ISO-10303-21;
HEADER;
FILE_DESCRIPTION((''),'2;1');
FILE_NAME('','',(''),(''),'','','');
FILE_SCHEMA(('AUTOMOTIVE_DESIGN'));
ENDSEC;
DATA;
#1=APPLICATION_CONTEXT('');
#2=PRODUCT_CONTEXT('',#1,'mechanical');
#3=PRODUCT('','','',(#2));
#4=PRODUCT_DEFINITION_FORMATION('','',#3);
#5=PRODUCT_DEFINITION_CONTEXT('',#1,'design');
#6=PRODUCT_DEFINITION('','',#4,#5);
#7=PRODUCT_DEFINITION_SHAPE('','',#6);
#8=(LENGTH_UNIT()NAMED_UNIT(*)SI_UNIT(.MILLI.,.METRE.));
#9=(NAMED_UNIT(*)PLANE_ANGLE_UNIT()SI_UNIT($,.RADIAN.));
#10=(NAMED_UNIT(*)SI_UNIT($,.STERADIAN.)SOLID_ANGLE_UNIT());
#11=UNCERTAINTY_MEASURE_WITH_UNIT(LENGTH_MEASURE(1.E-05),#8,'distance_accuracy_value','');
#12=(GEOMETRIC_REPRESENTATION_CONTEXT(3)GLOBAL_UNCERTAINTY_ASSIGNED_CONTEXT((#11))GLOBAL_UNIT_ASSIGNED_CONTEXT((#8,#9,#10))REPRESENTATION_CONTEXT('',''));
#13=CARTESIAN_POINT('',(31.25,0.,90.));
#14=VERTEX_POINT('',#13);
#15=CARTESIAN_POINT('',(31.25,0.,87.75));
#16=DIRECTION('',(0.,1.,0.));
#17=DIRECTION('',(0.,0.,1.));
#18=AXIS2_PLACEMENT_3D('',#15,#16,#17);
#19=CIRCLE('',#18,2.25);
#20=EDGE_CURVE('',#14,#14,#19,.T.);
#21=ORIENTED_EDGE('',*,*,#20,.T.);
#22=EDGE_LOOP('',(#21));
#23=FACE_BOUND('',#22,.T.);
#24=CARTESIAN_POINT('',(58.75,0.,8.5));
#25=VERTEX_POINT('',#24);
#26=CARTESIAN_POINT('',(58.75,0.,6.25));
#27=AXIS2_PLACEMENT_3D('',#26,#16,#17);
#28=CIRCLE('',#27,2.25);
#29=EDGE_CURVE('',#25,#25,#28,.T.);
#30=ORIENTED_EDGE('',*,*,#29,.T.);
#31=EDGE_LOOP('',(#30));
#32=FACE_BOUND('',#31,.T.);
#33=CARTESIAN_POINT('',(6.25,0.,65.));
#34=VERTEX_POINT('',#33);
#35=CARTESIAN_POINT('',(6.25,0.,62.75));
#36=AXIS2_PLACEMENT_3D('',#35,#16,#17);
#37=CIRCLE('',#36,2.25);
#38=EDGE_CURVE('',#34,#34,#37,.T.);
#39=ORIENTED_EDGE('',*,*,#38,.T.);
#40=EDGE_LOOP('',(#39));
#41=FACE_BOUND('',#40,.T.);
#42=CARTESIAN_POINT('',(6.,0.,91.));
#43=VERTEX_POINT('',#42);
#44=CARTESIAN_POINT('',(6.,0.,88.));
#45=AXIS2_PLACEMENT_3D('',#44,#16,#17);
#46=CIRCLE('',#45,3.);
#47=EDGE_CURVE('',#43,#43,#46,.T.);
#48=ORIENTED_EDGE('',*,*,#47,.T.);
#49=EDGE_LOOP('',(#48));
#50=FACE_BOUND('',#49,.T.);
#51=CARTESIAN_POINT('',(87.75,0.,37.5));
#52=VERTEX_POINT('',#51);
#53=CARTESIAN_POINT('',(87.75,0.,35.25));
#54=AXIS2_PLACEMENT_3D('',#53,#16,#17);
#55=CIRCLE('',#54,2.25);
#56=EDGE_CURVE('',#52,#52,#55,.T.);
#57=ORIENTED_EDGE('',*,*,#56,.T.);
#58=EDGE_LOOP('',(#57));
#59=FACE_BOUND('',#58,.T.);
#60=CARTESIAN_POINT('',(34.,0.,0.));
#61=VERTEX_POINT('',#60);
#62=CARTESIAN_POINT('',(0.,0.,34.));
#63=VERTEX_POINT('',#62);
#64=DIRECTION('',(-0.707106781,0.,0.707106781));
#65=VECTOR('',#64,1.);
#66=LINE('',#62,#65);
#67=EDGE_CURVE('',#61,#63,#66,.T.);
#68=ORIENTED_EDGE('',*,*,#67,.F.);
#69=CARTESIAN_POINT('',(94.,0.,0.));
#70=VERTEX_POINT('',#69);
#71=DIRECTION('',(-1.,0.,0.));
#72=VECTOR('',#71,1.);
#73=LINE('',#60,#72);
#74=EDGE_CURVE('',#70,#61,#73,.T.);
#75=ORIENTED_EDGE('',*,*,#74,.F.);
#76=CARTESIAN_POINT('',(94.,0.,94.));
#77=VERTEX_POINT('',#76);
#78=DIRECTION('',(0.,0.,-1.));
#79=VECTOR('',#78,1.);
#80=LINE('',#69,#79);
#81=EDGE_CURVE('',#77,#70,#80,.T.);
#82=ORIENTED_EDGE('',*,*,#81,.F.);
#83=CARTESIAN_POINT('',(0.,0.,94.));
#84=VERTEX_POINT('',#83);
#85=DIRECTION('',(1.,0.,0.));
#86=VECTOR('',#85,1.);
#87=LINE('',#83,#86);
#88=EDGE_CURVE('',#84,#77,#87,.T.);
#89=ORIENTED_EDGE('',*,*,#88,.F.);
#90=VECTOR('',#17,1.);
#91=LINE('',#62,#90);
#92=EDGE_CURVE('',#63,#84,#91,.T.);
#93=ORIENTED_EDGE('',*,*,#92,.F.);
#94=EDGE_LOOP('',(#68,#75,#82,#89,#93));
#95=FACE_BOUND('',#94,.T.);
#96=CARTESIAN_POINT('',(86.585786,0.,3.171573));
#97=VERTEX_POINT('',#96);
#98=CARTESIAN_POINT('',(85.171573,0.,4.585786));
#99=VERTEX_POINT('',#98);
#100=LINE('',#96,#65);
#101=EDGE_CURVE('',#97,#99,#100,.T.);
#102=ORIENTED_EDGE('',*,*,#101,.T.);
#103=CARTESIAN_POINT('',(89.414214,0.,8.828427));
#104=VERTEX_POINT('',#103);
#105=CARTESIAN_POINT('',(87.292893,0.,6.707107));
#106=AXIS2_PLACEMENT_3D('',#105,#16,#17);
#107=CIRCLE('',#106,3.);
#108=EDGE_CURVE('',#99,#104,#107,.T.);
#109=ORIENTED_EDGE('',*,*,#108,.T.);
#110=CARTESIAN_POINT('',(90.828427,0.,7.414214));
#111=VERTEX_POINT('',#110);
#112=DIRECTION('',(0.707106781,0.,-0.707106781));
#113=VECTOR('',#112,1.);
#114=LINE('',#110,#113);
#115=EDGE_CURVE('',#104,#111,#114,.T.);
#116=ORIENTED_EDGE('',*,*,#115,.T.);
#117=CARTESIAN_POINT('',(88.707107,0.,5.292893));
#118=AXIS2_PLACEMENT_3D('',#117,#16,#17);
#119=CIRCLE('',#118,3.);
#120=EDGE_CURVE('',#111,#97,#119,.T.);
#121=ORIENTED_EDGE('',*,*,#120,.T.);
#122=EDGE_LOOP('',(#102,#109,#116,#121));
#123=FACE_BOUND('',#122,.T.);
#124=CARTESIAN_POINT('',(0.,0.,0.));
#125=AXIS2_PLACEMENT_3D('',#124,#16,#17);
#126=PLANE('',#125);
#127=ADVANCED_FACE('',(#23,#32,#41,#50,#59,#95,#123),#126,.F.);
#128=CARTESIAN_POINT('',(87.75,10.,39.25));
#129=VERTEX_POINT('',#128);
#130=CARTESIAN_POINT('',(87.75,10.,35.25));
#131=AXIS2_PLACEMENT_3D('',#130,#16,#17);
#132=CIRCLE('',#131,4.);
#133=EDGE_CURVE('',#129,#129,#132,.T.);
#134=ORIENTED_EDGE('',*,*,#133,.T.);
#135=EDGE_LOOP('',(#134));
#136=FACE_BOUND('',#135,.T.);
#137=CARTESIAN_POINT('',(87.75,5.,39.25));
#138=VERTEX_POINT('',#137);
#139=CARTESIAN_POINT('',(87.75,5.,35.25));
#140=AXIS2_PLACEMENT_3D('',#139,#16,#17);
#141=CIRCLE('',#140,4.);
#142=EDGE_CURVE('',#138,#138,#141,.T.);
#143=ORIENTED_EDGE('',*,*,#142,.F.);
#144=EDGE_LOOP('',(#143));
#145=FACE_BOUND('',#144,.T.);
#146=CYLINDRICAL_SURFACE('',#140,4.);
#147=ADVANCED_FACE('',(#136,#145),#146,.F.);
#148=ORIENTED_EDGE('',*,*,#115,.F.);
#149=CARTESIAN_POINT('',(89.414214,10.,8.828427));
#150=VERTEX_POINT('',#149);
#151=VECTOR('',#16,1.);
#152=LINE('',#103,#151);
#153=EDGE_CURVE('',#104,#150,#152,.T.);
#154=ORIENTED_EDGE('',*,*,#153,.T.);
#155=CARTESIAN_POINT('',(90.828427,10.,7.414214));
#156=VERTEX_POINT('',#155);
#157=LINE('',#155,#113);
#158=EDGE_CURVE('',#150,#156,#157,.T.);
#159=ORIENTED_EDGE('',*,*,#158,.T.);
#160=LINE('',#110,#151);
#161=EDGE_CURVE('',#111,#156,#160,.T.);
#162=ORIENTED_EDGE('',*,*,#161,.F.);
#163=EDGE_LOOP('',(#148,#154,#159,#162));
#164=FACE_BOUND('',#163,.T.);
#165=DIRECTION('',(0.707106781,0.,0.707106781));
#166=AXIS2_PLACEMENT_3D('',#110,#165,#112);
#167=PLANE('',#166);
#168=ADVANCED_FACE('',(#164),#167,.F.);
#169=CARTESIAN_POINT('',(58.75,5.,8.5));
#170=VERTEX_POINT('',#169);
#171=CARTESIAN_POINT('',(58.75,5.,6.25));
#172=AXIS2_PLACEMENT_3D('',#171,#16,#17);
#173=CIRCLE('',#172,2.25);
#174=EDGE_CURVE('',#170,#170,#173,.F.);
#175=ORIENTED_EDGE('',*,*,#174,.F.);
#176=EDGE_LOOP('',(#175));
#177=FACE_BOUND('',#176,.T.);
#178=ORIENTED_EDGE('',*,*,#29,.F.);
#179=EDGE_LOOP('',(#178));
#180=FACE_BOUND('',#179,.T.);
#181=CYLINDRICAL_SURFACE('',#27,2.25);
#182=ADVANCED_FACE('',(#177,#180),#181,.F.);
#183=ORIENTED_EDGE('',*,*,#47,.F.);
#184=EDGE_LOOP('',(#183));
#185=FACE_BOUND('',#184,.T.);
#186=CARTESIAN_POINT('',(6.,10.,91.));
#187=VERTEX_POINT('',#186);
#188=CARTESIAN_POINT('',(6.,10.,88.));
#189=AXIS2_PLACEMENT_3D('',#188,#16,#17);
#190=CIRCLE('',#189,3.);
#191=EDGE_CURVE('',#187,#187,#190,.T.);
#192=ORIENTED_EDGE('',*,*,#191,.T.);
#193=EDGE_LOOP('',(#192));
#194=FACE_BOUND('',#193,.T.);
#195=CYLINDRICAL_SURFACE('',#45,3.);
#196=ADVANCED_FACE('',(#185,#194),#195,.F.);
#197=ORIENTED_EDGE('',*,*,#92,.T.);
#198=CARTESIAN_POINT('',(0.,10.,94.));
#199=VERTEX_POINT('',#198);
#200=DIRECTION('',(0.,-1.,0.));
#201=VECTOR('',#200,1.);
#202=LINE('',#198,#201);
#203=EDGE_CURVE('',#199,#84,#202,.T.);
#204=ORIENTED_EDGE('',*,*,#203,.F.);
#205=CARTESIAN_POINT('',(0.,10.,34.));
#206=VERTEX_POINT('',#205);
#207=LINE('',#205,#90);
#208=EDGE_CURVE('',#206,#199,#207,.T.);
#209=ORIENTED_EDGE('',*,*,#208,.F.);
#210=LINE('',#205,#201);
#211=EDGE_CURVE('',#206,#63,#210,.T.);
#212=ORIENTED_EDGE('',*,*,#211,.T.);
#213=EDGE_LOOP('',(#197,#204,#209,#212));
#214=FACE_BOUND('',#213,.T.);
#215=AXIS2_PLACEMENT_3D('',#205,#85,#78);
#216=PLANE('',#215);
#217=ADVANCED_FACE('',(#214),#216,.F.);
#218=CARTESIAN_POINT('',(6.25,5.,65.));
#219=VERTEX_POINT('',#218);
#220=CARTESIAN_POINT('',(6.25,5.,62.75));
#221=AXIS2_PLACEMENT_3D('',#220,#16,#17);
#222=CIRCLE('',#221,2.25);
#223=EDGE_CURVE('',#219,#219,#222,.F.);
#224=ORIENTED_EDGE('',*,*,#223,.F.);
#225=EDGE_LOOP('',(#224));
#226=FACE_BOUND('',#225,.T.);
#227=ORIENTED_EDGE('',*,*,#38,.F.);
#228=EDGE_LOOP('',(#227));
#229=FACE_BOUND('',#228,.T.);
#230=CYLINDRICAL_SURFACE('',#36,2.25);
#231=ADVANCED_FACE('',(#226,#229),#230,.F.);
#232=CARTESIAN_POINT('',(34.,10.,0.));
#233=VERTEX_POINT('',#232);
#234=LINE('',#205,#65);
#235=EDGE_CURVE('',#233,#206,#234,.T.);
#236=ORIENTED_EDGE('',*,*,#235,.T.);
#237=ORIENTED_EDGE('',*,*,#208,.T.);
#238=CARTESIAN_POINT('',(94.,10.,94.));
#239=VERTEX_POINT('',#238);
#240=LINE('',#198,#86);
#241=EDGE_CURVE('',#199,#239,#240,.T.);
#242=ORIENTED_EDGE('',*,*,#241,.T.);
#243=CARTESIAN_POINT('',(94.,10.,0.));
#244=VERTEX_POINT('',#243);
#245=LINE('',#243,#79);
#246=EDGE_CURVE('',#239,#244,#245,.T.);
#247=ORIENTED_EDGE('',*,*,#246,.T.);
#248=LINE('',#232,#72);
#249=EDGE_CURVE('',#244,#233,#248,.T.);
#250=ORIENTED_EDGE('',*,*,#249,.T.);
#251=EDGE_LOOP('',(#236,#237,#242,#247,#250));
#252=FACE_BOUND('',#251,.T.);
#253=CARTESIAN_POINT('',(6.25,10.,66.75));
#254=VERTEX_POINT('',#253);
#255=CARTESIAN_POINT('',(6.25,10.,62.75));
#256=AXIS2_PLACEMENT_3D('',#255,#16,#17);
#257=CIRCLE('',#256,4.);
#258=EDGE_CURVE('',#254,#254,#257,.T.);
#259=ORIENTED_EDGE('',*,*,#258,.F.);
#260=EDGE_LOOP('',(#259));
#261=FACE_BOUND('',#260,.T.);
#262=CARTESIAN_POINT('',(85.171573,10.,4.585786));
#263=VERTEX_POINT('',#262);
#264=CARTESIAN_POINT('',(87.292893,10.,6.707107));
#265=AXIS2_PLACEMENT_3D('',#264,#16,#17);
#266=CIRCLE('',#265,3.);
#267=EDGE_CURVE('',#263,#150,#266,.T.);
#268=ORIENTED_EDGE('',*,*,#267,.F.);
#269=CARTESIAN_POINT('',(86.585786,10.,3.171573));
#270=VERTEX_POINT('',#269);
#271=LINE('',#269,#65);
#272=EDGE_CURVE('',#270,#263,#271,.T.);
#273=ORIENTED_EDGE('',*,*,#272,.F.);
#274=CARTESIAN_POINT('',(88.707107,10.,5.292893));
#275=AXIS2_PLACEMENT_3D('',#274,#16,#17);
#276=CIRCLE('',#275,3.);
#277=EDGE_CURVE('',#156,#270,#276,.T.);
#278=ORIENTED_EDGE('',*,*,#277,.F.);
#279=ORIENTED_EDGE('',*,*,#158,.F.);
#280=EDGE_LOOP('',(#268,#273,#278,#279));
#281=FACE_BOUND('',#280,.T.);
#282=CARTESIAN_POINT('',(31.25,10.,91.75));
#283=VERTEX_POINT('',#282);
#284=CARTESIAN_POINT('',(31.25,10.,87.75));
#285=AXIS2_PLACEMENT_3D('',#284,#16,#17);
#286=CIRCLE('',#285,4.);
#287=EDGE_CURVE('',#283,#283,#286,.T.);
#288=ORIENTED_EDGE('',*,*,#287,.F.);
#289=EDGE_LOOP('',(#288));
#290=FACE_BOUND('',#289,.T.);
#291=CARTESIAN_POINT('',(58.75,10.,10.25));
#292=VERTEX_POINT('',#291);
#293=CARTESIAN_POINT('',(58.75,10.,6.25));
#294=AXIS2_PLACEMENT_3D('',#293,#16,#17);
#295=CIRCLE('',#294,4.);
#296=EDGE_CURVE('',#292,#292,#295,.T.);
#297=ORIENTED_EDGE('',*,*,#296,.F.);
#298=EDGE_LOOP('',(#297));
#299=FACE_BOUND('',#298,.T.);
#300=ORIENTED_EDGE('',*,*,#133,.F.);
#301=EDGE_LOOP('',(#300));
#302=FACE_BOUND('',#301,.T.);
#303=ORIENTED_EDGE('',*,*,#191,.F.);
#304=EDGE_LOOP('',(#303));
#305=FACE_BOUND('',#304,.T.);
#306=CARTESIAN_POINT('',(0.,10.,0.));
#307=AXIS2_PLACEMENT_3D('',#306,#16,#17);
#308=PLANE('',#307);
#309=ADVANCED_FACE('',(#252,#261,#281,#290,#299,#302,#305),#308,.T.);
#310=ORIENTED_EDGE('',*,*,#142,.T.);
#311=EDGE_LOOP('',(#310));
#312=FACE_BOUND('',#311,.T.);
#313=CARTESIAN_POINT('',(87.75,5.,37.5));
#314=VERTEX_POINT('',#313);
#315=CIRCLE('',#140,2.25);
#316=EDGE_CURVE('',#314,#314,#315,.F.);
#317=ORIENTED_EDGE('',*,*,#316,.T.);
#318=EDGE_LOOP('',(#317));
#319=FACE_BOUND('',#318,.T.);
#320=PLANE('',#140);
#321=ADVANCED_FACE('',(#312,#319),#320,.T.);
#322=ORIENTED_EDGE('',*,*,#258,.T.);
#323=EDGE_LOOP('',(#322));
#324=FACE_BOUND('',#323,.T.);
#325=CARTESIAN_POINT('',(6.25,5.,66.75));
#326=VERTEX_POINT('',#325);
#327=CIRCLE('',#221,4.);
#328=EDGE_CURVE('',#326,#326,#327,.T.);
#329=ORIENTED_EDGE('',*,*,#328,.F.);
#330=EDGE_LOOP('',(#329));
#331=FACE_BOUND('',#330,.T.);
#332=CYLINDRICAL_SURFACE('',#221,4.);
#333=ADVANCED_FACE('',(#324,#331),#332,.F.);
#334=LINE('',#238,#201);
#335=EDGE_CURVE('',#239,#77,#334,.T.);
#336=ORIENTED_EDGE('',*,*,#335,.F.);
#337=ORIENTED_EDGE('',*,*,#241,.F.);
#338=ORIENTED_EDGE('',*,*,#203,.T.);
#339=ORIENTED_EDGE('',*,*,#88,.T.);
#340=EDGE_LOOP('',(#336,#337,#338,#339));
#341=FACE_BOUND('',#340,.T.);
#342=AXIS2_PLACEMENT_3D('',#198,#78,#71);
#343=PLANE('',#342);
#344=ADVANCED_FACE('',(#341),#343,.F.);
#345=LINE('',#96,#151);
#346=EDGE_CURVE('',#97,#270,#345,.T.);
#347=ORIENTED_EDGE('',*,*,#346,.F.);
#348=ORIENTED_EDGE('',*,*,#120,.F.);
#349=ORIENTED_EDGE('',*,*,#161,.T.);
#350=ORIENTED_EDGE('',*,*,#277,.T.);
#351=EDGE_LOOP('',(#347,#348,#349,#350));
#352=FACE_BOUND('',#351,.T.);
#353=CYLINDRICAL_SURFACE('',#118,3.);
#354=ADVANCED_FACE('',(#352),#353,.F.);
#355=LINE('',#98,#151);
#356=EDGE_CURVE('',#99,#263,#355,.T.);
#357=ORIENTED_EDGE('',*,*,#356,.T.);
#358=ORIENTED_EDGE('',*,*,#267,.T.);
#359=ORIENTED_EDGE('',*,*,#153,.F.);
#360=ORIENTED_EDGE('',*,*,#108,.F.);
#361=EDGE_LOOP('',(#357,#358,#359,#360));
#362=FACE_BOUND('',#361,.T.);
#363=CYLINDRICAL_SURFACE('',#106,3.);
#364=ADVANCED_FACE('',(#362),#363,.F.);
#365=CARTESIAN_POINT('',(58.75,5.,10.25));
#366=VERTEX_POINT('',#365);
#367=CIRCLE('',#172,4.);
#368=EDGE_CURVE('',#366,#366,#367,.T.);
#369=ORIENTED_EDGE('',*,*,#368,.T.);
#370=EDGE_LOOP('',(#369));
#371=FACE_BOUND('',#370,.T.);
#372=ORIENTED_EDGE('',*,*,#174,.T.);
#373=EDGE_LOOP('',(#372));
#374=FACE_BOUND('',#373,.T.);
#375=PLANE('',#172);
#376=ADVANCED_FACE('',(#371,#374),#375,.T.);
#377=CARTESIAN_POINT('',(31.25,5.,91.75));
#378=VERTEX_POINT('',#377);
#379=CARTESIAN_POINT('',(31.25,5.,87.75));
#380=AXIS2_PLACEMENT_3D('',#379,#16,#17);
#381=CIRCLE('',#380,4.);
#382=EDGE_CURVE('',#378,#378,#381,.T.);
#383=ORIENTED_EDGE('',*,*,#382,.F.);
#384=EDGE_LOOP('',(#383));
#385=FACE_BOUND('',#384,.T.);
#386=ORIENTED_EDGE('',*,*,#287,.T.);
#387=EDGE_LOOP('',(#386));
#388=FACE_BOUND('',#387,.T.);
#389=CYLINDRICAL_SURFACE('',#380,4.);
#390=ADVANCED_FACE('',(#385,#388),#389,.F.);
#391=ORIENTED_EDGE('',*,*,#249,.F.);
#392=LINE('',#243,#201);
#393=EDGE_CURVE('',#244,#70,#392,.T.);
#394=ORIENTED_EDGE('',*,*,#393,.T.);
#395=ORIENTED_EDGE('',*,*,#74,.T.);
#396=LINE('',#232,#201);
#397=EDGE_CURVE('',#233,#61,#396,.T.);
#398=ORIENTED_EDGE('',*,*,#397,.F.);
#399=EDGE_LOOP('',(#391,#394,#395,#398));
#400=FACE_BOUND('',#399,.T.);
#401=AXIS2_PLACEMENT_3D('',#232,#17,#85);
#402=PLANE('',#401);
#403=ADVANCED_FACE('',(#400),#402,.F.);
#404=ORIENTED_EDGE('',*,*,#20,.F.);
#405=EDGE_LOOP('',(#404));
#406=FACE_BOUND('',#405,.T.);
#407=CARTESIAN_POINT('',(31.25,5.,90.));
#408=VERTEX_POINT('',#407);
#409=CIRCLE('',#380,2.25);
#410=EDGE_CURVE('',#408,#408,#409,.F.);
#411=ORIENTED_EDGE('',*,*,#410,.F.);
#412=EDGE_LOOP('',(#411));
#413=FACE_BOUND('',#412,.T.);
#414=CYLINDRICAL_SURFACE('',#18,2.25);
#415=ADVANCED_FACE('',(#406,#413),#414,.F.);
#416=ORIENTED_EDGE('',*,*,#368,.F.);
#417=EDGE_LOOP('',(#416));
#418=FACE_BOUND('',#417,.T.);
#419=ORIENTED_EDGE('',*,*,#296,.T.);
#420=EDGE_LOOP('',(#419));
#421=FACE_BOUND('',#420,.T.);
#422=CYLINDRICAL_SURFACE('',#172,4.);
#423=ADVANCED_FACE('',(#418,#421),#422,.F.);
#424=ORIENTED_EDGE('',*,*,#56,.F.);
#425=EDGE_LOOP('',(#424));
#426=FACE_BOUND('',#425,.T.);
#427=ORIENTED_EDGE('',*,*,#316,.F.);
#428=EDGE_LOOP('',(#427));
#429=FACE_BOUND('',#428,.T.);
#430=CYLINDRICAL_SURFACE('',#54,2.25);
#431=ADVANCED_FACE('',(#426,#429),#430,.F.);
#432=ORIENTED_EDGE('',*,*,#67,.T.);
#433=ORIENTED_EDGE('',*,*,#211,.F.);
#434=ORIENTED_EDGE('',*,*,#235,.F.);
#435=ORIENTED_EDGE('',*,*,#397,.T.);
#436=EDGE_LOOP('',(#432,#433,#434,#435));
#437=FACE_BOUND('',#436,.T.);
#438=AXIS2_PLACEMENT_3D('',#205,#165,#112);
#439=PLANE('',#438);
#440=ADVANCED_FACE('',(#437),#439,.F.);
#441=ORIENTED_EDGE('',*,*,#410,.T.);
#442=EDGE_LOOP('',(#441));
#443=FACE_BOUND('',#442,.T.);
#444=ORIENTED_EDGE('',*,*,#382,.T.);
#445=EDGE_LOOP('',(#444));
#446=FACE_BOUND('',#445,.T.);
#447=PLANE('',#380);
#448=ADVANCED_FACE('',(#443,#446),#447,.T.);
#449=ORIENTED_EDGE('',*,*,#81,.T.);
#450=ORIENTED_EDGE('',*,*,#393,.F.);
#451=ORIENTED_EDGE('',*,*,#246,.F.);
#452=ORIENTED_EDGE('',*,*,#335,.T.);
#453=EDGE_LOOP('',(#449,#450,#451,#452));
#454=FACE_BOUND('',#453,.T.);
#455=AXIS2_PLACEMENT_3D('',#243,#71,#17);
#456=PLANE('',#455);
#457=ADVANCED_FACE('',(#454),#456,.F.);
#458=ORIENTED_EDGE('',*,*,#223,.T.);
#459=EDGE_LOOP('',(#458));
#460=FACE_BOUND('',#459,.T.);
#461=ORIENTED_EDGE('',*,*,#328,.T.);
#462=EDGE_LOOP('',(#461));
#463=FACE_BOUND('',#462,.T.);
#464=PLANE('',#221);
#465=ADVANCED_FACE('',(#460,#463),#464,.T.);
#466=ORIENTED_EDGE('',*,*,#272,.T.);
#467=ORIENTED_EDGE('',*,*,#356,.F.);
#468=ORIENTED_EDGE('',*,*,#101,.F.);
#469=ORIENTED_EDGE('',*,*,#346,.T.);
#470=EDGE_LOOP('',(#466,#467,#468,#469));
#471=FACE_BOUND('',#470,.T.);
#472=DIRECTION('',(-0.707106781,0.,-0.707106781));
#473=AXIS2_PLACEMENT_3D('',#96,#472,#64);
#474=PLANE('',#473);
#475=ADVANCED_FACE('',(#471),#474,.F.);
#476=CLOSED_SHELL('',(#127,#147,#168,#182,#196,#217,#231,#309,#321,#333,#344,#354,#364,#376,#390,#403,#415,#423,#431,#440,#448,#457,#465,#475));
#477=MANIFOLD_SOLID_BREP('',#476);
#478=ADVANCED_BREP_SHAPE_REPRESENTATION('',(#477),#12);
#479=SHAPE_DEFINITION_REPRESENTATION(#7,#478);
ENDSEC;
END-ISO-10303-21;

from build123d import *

# Parameters (mm, degrees)
BOSS_EXTRUDE1_DEPTH = 10
SKETCH3_R           = 2.25
SKETCH3_R_2         = 3
CUT_EXTRUDE1_DEPTH  = 10
SKETCH5_R           = 4
CUT_EXTRUDE2_DEPTH  = 5


with BuildPart() as part:
    # Sketch2 → Boss-Extrude1 (new body)
    with BuildSketch(Plane(origin=(0, 0, 0), x_dir=(1, 0, 0), z_dir=(0, 1, 0))):
        Polygon((0, -34), (34, 0), (94, 0), (94, -94), (0, -94), align=None)
    extrude(amount=BOSS_EXTRUDE1_DEPTH)

    # Sketch3 → Cut-Extrude1 (cut)
    with BuildSketch(Plane(origin=(0, 10, 0), x_dir=(1, 0, 0), z_dir=(0, 1, 0))):
        with Locations((58.75, -6.25)):
            Circle(SKETCH3_R)
        with Locations((87.75, -35.25)):
            Circle(SKETCH3_R)
        with Locations((6.25, -62.75)):
            Circle(SKETCH3_R)
        with Locations((31.25, -87.75)):
            Circle(SKETCH3_R)
        with Locations((6, -88)):
            Circle(SKETCH3_R_2)
        with BuildLine():
            Line((90.828427125, -7.414213562), (89.414213562, -8.828427125))
            ThreePointArc((89.414213562, -8.828427125), (85.171572875, -8.828427125), (85.171572875, -4.585786438))
            Line((85.171572875, -4.585786438), (86.585786438, -3.171572875))
            ThreePointArc((86.585786438, -3.171572875), (90.828427125, -3.171572875), (90.828427125, -7.414213562))
        make_face()
    extrude(amount=-CUT_EXTRUDE1_DEPTH, mode=Mode.SUBTRACT)

    # Sketch5 → Cut-Extrude2 (cut)
    with BuildSketch(Plane(origin=(0, 10, 0), x_dir=(1, 0, 0), z_dir=(0, 1, 0))):
        with Locations((58.75, -6.25)):
            Circle(SKETCH5_R)
        with Locations((87.75, -35.25)):
            Circle(SKETCH5_R)
        with Locations((6.25, -62.75)):
            Circle(SKETCH5_R)
        with Locations((31.25, -87.75)):
            Circle(SKETCH5_R)
    extrude(amount=-CUT_EXTRUDE2_DEPTH, mode=Mode.SUBTRACT)


solid = part.part
